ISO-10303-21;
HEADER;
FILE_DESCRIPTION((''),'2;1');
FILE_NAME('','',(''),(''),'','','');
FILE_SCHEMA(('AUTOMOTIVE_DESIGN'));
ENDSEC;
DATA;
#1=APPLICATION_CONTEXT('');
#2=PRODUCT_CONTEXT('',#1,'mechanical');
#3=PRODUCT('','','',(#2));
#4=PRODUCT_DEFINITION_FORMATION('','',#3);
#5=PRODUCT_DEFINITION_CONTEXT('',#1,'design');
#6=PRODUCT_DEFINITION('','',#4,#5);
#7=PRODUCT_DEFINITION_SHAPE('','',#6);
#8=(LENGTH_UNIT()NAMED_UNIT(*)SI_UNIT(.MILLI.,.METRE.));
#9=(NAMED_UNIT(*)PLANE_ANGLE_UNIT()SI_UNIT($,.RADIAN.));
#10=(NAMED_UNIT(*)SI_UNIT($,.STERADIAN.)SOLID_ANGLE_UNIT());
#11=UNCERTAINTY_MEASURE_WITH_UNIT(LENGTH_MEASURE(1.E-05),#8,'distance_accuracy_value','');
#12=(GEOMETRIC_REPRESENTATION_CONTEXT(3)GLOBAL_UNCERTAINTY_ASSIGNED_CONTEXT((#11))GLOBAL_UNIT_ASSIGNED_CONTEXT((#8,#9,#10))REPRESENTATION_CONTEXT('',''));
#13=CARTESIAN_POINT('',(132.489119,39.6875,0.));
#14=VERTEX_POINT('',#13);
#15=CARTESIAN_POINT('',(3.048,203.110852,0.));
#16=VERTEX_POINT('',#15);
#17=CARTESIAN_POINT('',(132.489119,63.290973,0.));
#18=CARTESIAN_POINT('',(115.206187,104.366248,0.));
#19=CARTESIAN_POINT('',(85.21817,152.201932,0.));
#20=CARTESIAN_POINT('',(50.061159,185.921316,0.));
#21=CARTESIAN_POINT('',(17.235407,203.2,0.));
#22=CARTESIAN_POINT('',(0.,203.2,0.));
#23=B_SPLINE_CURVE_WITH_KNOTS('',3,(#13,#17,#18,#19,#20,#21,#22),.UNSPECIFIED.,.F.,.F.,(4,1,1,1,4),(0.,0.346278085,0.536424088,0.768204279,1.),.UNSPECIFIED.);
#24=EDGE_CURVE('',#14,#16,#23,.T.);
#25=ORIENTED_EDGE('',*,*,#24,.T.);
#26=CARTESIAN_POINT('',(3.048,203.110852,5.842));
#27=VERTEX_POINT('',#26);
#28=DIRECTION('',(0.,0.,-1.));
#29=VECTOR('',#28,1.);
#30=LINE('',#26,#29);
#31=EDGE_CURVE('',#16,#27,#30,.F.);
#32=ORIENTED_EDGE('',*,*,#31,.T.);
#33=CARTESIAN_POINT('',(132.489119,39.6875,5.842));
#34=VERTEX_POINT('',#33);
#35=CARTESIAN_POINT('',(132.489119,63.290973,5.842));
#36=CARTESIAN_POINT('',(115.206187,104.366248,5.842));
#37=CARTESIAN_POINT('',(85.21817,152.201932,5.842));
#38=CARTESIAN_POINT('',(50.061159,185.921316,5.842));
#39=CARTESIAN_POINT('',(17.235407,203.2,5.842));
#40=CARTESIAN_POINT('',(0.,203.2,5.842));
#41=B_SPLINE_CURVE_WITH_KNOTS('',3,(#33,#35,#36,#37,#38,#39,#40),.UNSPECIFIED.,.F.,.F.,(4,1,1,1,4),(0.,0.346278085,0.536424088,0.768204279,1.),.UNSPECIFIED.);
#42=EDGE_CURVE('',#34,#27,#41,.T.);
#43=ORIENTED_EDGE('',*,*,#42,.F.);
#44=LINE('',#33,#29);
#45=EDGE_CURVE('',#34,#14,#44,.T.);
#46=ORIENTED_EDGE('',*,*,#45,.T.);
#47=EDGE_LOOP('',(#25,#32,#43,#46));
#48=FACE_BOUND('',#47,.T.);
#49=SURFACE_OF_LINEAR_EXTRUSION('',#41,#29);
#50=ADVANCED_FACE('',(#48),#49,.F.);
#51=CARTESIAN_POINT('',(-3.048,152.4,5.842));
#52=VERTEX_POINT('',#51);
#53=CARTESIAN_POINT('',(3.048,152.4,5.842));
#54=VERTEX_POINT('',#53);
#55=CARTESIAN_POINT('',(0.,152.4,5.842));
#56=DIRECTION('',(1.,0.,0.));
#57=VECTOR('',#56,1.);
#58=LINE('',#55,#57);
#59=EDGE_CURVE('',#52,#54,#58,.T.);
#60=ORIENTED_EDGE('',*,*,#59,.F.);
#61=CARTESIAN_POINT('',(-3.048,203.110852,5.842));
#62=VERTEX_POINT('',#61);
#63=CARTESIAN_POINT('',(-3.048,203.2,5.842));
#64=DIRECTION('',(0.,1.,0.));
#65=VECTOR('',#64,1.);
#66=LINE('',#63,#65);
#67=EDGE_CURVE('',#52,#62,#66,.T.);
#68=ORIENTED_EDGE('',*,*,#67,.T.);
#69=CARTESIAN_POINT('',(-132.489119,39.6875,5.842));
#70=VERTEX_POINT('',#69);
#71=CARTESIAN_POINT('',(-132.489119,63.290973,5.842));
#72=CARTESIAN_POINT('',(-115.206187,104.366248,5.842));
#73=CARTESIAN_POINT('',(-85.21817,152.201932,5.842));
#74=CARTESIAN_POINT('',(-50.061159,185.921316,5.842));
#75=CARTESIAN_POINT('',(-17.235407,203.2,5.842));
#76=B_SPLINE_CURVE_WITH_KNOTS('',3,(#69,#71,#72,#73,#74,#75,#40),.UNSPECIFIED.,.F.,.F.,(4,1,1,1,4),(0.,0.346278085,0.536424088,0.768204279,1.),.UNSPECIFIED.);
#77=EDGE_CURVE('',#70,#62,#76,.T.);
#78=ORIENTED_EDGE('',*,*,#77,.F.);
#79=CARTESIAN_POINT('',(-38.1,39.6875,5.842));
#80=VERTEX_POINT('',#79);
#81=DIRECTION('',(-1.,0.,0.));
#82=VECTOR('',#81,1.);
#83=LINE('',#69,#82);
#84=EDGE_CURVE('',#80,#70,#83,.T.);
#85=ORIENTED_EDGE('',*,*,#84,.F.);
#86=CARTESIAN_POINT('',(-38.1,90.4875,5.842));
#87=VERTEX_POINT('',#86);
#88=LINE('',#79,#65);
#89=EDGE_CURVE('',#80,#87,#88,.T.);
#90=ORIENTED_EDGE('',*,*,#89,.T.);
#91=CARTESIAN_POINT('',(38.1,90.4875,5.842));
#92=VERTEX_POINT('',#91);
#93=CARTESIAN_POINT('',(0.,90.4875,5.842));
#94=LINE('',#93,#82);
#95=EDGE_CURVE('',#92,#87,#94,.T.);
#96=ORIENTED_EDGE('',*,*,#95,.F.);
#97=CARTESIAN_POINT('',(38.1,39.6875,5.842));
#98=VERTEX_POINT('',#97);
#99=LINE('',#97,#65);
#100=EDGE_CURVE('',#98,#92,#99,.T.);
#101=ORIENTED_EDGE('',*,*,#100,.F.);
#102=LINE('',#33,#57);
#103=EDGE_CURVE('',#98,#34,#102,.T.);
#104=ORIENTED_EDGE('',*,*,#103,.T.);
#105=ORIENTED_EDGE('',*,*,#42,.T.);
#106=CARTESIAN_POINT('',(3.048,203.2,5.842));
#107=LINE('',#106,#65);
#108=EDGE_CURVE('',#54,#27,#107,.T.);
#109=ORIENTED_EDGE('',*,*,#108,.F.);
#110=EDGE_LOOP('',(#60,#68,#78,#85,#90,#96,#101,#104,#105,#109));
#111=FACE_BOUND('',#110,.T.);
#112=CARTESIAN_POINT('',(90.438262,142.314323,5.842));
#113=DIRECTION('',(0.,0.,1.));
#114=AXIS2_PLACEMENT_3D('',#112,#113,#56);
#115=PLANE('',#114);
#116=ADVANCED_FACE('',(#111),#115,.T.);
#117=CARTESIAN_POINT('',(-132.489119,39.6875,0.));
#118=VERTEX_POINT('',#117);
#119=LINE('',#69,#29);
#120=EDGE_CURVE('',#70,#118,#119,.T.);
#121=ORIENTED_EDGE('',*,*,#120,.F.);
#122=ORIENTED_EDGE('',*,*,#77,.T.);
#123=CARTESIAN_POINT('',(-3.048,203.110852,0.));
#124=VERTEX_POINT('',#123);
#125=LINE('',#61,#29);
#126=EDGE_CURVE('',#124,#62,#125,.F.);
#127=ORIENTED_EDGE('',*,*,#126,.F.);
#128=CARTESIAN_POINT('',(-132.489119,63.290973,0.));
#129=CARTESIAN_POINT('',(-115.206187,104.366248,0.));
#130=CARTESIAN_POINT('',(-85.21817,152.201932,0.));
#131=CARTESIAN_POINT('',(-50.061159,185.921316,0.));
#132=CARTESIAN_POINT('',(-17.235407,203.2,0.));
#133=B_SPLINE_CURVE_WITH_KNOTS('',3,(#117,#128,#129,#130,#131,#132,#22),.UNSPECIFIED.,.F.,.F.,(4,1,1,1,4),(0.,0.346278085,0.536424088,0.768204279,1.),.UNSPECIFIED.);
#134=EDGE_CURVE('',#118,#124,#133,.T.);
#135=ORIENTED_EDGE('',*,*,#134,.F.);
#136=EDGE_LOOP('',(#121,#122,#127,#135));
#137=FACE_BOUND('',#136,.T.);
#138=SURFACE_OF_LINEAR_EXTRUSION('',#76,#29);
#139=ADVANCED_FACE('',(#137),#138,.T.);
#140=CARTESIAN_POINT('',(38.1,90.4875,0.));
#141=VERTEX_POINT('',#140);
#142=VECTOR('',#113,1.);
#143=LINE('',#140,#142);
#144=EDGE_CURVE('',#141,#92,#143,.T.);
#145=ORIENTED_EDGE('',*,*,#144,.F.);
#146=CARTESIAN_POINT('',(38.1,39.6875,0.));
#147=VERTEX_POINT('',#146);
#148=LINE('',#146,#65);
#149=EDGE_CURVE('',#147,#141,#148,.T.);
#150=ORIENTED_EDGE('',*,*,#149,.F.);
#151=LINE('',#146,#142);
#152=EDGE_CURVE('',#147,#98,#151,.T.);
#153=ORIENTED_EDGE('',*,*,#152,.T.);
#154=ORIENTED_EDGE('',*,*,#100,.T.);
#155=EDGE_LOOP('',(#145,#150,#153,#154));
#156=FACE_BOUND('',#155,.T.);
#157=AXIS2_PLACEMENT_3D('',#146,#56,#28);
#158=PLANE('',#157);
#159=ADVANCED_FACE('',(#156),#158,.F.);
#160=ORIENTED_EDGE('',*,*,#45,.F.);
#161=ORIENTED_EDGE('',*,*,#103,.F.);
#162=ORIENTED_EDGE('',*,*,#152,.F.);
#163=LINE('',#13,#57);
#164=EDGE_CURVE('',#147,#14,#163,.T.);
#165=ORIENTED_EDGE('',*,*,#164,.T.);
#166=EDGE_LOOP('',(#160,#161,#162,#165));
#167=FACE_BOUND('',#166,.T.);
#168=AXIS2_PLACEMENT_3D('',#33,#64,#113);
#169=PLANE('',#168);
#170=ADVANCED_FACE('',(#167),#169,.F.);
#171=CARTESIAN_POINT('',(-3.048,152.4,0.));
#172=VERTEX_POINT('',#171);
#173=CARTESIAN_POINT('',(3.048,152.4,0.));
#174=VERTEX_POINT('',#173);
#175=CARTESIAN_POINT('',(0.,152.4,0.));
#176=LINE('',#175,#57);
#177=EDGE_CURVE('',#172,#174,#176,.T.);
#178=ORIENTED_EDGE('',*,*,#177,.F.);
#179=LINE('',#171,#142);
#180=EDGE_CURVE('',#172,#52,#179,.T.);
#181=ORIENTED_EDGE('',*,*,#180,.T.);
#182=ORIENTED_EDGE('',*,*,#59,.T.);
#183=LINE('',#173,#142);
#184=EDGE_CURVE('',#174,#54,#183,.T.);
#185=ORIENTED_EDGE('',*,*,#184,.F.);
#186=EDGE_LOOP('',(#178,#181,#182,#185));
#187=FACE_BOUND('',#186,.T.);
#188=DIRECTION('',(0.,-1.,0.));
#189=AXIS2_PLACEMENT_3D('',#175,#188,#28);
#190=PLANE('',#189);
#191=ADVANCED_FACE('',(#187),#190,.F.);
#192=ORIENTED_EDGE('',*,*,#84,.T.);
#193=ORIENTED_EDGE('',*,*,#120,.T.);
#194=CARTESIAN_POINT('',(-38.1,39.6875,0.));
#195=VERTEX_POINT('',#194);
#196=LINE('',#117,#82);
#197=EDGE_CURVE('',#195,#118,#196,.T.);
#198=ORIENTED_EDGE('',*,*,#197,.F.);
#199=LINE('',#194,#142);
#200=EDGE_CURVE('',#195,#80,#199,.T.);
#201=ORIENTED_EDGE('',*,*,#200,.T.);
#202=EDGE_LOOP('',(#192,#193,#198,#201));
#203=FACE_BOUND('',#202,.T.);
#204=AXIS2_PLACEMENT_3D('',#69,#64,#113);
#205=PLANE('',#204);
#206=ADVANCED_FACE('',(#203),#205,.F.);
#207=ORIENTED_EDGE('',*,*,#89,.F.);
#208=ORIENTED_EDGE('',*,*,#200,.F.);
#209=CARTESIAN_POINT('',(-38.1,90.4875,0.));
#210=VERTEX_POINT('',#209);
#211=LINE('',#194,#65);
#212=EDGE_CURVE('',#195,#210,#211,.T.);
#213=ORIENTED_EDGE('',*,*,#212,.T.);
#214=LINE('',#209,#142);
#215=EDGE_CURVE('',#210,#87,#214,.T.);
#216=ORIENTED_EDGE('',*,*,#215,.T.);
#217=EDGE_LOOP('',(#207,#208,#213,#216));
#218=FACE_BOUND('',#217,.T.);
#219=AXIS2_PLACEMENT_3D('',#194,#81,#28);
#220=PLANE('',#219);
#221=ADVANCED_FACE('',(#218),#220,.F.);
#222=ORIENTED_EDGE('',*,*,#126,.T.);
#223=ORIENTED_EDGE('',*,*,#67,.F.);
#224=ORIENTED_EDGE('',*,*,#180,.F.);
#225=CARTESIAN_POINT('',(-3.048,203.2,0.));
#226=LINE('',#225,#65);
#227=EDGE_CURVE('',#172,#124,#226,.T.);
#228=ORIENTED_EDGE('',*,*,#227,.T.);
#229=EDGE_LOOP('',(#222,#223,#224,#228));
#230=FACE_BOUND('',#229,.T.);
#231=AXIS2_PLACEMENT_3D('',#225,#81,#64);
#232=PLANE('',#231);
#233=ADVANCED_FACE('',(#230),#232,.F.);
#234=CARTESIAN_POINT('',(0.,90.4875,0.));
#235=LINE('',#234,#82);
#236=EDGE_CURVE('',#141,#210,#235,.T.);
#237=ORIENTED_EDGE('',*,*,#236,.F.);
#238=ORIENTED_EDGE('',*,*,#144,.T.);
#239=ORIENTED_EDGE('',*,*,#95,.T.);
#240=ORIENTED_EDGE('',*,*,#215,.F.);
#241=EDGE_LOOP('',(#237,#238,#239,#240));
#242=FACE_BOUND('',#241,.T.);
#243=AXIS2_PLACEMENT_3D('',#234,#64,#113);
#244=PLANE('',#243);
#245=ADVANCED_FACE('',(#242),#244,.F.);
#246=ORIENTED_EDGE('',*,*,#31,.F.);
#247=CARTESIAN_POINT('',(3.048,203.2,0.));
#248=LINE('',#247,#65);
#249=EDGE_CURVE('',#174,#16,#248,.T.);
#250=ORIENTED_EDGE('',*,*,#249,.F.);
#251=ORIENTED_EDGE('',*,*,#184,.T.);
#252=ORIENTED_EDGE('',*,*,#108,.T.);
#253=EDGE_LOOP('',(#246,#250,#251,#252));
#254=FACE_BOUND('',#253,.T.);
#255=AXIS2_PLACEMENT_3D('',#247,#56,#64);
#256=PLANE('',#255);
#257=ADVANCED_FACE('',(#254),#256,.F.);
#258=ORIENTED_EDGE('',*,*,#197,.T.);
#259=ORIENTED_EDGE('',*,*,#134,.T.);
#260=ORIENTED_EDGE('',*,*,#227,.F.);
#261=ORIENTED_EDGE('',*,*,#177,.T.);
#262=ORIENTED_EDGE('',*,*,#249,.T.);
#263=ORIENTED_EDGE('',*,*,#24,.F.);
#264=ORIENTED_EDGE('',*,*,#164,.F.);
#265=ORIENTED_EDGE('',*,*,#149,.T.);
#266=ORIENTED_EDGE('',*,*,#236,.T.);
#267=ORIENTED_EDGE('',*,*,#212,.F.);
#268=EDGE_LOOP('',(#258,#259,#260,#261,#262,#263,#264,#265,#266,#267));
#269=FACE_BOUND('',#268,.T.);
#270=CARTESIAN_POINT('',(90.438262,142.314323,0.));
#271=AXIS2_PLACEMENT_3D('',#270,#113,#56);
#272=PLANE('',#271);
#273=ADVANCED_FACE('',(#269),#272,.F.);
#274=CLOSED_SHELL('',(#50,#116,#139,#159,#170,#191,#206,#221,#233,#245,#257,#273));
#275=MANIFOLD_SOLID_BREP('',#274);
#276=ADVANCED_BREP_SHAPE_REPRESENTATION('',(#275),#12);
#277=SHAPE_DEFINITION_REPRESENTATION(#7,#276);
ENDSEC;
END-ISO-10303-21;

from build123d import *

# Parameters (mm, degrees)
BOSS_EXTRUDE1_DEPTH = 5.842
SKETCH3_W           = 38.1
SKETCH3_H           = 50.8
SKETCH3_W_2         = 3.048
CUT_EXTRUDE1_DEPTH  = 243.64734842


with BuildPart() as part:
    # Sketch2 → Boss-Extrude1 (new body)
    with BuildSketch(Plane.XY):
        with BuildLine():
            Line((132.489119036, 39.6875), (0, 39.6875))
            Line((0, 39.6875), (0, 203.2))
            add(Edge.make_bspline(
                [(0, 203.2), (17.235406981, 203.2), (50.061159208, 185.921315787), (85.218169736, 152.2019324), (115.206186784, 104.366247761), (132.489119036, 63.290972919), (132.489119036, 39.6875)],
                knots=[0, 0, 0, 0, 0.231795721, 0.463575912, 0.653721915, 1, 1, 1, 1], degree=3))
        make_face()
    extrude(amount=BOSS_EXTRUDE1_DEPTH)

    # Sketch3 → Cut-Extrude1 (cut, through all)
    with BuildSketch(Plane.XY.offset(5.842)):
        with Locations((19.05, 65.0875)):
            Rectangle(SKETCH3_W, SKETCH3_H)
        with Locations((1.524, 177.8)):
            Rectangle(SKETCH3_W_2, SKETCH3_H)
    extrude(amount=-CUT_EXTRUDE1_DEPTH, mode=Mode.SUBTRACT)

    # Mirror1: part across plane


with BuildPart() as part_1:
    add(part.part)
    add(part.part.mirror(Plane(origin=(0, 0, 0), x_dir=(0, 0, 1), z_dir=(1, 0, 0))))


solid = part_1.part
